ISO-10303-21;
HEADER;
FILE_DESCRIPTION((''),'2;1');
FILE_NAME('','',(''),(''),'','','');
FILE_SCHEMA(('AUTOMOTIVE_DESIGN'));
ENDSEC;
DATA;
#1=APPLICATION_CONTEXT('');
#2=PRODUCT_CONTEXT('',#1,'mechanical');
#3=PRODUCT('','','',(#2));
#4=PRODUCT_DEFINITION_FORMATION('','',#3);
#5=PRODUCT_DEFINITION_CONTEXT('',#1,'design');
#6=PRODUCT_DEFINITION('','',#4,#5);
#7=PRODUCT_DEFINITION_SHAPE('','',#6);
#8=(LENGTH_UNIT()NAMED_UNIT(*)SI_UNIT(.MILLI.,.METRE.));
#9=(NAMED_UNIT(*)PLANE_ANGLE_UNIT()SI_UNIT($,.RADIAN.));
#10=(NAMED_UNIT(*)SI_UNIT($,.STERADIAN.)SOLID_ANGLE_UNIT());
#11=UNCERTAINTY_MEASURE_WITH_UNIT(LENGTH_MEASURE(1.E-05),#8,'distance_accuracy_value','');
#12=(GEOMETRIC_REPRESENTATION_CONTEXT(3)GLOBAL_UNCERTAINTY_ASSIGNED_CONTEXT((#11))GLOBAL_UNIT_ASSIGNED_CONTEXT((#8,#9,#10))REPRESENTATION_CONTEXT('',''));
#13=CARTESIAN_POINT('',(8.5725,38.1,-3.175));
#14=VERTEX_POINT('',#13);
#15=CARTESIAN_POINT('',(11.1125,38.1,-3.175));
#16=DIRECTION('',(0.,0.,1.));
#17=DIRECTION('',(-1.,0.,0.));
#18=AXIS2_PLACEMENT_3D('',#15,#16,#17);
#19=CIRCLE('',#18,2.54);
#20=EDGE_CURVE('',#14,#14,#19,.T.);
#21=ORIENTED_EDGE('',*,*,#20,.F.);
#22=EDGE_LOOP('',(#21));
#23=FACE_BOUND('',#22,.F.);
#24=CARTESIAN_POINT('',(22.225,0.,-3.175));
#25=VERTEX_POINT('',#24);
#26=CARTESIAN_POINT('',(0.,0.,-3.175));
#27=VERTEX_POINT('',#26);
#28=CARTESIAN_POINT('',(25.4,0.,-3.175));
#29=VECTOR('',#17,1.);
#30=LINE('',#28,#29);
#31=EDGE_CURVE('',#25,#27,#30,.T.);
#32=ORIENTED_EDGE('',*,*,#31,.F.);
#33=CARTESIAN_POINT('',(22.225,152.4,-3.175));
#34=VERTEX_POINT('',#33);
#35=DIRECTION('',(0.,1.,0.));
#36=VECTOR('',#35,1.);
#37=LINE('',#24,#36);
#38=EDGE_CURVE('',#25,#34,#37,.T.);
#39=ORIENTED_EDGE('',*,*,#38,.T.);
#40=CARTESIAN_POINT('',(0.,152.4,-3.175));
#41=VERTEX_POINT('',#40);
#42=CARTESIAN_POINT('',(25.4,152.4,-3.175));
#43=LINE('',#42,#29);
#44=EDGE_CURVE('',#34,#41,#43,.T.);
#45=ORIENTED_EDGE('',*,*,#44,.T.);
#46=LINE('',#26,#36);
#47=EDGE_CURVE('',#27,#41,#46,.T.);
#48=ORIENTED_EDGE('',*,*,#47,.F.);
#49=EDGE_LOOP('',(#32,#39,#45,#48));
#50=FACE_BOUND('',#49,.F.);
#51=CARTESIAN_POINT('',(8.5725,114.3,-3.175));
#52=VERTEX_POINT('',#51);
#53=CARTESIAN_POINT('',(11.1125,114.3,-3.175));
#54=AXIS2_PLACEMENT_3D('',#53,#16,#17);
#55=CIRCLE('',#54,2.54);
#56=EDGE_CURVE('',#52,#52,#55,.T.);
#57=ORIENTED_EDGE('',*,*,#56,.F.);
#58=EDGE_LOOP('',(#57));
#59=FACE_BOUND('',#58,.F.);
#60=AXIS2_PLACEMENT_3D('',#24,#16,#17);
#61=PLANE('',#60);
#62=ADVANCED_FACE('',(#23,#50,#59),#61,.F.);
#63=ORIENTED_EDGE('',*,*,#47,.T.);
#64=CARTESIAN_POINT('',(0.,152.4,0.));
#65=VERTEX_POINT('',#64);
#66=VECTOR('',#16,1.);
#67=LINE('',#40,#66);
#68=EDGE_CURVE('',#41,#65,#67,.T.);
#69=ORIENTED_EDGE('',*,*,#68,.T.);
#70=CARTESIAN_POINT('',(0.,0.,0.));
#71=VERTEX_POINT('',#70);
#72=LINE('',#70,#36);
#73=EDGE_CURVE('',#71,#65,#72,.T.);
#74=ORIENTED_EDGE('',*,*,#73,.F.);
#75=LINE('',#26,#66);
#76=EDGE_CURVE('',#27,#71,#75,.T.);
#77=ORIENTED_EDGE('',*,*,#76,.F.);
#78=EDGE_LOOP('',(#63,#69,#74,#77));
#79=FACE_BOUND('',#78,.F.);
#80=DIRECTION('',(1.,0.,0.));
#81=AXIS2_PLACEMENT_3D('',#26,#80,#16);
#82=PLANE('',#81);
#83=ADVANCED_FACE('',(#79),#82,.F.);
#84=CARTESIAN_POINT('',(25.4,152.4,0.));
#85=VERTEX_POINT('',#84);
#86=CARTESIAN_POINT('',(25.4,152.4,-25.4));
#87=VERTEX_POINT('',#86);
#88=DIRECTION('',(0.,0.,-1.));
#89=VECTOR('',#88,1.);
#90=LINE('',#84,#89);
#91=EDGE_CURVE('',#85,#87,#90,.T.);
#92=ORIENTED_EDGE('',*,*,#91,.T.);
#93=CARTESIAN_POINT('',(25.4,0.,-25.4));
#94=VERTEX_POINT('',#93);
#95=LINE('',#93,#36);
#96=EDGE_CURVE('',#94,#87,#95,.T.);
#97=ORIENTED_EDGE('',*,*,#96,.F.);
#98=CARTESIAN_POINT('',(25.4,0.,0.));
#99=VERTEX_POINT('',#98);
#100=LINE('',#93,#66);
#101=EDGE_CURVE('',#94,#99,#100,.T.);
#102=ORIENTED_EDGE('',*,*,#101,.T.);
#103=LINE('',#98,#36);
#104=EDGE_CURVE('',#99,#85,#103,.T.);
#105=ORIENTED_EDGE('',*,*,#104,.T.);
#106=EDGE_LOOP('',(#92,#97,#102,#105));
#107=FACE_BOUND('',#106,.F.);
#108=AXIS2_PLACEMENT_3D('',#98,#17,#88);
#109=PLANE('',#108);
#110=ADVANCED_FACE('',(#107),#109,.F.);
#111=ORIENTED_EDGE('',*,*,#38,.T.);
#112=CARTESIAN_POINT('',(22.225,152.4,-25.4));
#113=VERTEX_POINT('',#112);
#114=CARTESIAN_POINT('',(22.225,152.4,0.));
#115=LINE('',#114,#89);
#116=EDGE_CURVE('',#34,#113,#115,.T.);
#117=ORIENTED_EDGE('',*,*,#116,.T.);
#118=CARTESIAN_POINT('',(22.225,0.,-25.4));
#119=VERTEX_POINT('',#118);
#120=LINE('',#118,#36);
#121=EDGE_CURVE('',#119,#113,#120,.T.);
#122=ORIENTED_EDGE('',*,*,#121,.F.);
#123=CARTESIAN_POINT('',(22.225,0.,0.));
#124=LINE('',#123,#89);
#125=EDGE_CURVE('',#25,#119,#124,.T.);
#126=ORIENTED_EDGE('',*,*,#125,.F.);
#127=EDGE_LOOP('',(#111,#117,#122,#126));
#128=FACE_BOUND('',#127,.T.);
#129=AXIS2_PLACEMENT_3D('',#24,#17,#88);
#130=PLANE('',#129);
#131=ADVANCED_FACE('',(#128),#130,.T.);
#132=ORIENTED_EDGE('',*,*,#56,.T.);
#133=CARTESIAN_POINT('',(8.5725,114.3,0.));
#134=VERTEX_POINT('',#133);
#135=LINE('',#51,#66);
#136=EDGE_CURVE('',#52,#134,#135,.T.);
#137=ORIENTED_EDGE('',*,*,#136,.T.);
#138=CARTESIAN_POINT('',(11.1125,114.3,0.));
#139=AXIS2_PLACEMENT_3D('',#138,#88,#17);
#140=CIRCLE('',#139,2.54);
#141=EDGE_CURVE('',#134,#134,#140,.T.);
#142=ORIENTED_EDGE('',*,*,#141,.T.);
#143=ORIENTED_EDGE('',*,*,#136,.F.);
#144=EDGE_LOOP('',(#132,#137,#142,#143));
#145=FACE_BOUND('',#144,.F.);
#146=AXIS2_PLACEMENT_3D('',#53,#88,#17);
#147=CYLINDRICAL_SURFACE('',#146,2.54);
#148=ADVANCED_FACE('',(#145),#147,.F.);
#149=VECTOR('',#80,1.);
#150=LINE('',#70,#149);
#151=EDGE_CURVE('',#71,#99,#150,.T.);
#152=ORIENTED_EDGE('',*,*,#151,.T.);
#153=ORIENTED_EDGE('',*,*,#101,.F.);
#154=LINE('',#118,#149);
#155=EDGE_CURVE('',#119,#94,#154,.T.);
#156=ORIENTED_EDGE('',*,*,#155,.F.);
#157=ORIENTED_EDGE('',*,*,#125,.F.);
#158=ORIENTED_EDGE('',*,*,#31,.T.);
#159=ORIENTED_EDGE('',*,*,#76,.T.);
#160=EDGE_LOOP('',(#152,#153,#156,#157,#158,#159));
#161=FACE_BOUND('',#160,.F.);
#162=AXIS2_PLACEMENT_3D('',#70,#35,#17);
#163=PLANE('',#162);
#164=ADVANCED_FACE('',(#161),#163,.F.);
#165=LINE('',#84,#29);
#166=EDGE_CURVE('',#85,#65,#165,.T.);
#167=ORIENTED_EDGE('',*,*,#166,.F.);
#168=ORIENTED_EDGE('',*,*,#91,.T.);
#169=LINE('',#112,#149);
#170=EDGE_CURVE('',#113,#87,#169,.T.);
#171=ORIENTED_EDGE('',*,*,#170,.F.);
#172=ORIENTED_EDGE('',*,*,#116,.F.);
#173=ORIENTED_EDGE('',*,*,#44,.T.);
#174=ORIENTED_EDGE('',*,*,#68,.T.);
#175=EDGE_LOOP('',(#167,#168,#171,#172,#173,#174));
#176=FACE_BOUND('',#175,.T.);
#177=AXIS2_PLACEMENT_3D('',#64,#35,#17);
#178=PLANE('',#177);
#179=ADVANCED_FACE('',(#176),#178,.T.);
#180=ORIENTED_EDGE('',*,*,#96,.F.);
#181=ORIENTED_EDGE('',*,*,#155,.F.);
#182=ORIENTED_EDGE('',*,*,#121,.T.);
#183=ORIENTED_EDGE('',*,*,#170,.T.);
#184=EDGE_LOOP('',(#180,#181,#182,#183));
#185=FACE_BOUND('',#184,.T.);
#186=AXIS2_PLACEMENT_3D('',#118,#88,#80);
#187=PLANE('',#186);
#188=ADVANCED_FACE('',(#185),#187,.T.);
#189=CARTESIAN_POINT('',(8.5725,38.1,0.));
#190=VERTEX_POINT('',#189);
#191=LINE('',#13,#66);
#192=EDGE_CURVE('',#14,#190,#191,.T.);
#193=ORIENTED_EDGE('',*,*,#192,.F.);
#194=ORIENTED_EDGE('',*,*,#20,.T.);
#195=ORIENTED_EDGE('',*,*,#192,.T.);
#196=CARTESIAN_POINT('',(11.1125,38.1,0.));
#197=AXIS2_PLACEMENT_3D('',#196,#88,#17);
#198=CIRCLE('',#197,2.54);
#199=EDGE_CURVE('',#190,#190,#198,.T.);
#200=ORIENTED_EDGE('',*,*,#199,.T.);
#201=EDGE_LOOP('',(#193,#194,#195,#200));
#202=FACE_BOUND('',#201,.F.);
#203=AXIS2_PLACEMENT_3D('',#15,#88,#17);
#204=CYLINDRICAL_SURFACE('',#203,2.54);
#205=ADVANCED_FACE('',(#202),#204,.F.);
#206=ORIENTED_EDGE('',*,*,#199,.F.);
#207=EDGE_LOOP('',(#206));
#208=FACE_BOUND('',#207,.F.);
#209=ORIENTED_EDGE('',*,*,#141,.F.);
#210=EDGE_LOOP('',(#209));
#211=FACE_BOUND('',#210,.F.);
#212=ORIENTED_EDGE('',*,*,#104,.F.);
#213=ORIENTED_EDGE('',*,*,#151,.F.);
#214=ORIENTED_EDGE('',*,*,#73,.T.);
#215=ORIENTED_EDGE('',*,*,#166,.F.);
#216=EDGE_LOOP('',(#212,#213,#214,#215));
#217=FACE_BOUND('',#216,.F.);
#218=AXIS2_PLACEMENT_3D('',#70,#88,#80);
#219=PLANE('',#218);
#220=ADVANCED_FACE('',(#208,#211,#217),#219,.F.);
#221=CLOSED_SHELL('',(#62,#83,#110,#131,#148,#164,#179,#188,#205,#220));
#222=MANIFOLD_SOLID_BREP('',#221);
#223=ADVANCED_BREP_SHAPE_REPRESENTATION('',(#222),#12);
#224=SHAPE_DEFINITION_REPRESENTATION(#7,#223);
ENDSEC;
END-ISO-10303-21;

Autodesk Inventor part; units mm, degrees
ref_plane "YZ Plane" through (0, 0, 0) normal (1, 0, 0) x (0, 1, 0)
ref_plane "XZ Plane" through (0, 0, 0) normal (0, 1, 0) x (-1, 0, 0)
ref_plane "XY Plane" through (0, 0, 0) normal (0, 0, 1) x (1, 0, 0)
sketch "Sketch1" plane through (0, 0, 0) normal (0, 1, 0) x (-1, 0, 0)
  line L0 (0, 0) -> (-25.4, 0)
  line L1 (-25.4, 0) -> (-25.4, -3.175)
  line L2 (-25.4, -3.175) -> (0, -3.175)
  line L3 (0, -3.175) -> (0, 0)
  line L4 (-25.4, 0) -> (-22.225, 0)
  line L5 (-22.225, 0) -> (-22.225, -25.4)
  line L6 (-22.225, -25.4) -> (-25.4, -25.4)
  line L7 (-25.4, -25.4) -> (-25.4, 0)
  dimension "d0" = 25.4
  dimension "d1" = 3.175
  dimension "d2" = 25.4
  dimension "d3" = 3.175
extrude "Extrusion1" add sketch "Sketch1" along normal blind 152.4
sketch "Sketch2" plane through (22.225, 0, -25.4) normal (-1, 0, 0) x (0, 0, 1)
  line L0 (0, 0) -> (12.7, 0)
  line L1 (25.4, 0) -> (0, 0) projected
sketch "Sketch3" plane through (22.225, 0, -3.175) normal (0, 0, -1) x (-1, 0, 0)
  line L0 (0, 0) -> (22.225, 0) projected
  line L1 (22.225, 0) -> (11.1125, 0)
  line L2 (11.1125, 0) -> (11.1125, 38.1)
  line L3 (11.1125, 38.1) -> (11.1125, 114.3)
  circle A0 centre (11.1125, 38.1) radius 2.54
  circle A1 centre (11.1125, 114.3) radius 2.54
  dimension "d6" = 38.1
  dimension "d7" = 76.2
  dimension "d8" = 5.08
extrude "Extrusion2" cut sketch "Sketch3" against normal blind 25.4
properties part number "L Bracket 6in" material "Aluminum 6061"
